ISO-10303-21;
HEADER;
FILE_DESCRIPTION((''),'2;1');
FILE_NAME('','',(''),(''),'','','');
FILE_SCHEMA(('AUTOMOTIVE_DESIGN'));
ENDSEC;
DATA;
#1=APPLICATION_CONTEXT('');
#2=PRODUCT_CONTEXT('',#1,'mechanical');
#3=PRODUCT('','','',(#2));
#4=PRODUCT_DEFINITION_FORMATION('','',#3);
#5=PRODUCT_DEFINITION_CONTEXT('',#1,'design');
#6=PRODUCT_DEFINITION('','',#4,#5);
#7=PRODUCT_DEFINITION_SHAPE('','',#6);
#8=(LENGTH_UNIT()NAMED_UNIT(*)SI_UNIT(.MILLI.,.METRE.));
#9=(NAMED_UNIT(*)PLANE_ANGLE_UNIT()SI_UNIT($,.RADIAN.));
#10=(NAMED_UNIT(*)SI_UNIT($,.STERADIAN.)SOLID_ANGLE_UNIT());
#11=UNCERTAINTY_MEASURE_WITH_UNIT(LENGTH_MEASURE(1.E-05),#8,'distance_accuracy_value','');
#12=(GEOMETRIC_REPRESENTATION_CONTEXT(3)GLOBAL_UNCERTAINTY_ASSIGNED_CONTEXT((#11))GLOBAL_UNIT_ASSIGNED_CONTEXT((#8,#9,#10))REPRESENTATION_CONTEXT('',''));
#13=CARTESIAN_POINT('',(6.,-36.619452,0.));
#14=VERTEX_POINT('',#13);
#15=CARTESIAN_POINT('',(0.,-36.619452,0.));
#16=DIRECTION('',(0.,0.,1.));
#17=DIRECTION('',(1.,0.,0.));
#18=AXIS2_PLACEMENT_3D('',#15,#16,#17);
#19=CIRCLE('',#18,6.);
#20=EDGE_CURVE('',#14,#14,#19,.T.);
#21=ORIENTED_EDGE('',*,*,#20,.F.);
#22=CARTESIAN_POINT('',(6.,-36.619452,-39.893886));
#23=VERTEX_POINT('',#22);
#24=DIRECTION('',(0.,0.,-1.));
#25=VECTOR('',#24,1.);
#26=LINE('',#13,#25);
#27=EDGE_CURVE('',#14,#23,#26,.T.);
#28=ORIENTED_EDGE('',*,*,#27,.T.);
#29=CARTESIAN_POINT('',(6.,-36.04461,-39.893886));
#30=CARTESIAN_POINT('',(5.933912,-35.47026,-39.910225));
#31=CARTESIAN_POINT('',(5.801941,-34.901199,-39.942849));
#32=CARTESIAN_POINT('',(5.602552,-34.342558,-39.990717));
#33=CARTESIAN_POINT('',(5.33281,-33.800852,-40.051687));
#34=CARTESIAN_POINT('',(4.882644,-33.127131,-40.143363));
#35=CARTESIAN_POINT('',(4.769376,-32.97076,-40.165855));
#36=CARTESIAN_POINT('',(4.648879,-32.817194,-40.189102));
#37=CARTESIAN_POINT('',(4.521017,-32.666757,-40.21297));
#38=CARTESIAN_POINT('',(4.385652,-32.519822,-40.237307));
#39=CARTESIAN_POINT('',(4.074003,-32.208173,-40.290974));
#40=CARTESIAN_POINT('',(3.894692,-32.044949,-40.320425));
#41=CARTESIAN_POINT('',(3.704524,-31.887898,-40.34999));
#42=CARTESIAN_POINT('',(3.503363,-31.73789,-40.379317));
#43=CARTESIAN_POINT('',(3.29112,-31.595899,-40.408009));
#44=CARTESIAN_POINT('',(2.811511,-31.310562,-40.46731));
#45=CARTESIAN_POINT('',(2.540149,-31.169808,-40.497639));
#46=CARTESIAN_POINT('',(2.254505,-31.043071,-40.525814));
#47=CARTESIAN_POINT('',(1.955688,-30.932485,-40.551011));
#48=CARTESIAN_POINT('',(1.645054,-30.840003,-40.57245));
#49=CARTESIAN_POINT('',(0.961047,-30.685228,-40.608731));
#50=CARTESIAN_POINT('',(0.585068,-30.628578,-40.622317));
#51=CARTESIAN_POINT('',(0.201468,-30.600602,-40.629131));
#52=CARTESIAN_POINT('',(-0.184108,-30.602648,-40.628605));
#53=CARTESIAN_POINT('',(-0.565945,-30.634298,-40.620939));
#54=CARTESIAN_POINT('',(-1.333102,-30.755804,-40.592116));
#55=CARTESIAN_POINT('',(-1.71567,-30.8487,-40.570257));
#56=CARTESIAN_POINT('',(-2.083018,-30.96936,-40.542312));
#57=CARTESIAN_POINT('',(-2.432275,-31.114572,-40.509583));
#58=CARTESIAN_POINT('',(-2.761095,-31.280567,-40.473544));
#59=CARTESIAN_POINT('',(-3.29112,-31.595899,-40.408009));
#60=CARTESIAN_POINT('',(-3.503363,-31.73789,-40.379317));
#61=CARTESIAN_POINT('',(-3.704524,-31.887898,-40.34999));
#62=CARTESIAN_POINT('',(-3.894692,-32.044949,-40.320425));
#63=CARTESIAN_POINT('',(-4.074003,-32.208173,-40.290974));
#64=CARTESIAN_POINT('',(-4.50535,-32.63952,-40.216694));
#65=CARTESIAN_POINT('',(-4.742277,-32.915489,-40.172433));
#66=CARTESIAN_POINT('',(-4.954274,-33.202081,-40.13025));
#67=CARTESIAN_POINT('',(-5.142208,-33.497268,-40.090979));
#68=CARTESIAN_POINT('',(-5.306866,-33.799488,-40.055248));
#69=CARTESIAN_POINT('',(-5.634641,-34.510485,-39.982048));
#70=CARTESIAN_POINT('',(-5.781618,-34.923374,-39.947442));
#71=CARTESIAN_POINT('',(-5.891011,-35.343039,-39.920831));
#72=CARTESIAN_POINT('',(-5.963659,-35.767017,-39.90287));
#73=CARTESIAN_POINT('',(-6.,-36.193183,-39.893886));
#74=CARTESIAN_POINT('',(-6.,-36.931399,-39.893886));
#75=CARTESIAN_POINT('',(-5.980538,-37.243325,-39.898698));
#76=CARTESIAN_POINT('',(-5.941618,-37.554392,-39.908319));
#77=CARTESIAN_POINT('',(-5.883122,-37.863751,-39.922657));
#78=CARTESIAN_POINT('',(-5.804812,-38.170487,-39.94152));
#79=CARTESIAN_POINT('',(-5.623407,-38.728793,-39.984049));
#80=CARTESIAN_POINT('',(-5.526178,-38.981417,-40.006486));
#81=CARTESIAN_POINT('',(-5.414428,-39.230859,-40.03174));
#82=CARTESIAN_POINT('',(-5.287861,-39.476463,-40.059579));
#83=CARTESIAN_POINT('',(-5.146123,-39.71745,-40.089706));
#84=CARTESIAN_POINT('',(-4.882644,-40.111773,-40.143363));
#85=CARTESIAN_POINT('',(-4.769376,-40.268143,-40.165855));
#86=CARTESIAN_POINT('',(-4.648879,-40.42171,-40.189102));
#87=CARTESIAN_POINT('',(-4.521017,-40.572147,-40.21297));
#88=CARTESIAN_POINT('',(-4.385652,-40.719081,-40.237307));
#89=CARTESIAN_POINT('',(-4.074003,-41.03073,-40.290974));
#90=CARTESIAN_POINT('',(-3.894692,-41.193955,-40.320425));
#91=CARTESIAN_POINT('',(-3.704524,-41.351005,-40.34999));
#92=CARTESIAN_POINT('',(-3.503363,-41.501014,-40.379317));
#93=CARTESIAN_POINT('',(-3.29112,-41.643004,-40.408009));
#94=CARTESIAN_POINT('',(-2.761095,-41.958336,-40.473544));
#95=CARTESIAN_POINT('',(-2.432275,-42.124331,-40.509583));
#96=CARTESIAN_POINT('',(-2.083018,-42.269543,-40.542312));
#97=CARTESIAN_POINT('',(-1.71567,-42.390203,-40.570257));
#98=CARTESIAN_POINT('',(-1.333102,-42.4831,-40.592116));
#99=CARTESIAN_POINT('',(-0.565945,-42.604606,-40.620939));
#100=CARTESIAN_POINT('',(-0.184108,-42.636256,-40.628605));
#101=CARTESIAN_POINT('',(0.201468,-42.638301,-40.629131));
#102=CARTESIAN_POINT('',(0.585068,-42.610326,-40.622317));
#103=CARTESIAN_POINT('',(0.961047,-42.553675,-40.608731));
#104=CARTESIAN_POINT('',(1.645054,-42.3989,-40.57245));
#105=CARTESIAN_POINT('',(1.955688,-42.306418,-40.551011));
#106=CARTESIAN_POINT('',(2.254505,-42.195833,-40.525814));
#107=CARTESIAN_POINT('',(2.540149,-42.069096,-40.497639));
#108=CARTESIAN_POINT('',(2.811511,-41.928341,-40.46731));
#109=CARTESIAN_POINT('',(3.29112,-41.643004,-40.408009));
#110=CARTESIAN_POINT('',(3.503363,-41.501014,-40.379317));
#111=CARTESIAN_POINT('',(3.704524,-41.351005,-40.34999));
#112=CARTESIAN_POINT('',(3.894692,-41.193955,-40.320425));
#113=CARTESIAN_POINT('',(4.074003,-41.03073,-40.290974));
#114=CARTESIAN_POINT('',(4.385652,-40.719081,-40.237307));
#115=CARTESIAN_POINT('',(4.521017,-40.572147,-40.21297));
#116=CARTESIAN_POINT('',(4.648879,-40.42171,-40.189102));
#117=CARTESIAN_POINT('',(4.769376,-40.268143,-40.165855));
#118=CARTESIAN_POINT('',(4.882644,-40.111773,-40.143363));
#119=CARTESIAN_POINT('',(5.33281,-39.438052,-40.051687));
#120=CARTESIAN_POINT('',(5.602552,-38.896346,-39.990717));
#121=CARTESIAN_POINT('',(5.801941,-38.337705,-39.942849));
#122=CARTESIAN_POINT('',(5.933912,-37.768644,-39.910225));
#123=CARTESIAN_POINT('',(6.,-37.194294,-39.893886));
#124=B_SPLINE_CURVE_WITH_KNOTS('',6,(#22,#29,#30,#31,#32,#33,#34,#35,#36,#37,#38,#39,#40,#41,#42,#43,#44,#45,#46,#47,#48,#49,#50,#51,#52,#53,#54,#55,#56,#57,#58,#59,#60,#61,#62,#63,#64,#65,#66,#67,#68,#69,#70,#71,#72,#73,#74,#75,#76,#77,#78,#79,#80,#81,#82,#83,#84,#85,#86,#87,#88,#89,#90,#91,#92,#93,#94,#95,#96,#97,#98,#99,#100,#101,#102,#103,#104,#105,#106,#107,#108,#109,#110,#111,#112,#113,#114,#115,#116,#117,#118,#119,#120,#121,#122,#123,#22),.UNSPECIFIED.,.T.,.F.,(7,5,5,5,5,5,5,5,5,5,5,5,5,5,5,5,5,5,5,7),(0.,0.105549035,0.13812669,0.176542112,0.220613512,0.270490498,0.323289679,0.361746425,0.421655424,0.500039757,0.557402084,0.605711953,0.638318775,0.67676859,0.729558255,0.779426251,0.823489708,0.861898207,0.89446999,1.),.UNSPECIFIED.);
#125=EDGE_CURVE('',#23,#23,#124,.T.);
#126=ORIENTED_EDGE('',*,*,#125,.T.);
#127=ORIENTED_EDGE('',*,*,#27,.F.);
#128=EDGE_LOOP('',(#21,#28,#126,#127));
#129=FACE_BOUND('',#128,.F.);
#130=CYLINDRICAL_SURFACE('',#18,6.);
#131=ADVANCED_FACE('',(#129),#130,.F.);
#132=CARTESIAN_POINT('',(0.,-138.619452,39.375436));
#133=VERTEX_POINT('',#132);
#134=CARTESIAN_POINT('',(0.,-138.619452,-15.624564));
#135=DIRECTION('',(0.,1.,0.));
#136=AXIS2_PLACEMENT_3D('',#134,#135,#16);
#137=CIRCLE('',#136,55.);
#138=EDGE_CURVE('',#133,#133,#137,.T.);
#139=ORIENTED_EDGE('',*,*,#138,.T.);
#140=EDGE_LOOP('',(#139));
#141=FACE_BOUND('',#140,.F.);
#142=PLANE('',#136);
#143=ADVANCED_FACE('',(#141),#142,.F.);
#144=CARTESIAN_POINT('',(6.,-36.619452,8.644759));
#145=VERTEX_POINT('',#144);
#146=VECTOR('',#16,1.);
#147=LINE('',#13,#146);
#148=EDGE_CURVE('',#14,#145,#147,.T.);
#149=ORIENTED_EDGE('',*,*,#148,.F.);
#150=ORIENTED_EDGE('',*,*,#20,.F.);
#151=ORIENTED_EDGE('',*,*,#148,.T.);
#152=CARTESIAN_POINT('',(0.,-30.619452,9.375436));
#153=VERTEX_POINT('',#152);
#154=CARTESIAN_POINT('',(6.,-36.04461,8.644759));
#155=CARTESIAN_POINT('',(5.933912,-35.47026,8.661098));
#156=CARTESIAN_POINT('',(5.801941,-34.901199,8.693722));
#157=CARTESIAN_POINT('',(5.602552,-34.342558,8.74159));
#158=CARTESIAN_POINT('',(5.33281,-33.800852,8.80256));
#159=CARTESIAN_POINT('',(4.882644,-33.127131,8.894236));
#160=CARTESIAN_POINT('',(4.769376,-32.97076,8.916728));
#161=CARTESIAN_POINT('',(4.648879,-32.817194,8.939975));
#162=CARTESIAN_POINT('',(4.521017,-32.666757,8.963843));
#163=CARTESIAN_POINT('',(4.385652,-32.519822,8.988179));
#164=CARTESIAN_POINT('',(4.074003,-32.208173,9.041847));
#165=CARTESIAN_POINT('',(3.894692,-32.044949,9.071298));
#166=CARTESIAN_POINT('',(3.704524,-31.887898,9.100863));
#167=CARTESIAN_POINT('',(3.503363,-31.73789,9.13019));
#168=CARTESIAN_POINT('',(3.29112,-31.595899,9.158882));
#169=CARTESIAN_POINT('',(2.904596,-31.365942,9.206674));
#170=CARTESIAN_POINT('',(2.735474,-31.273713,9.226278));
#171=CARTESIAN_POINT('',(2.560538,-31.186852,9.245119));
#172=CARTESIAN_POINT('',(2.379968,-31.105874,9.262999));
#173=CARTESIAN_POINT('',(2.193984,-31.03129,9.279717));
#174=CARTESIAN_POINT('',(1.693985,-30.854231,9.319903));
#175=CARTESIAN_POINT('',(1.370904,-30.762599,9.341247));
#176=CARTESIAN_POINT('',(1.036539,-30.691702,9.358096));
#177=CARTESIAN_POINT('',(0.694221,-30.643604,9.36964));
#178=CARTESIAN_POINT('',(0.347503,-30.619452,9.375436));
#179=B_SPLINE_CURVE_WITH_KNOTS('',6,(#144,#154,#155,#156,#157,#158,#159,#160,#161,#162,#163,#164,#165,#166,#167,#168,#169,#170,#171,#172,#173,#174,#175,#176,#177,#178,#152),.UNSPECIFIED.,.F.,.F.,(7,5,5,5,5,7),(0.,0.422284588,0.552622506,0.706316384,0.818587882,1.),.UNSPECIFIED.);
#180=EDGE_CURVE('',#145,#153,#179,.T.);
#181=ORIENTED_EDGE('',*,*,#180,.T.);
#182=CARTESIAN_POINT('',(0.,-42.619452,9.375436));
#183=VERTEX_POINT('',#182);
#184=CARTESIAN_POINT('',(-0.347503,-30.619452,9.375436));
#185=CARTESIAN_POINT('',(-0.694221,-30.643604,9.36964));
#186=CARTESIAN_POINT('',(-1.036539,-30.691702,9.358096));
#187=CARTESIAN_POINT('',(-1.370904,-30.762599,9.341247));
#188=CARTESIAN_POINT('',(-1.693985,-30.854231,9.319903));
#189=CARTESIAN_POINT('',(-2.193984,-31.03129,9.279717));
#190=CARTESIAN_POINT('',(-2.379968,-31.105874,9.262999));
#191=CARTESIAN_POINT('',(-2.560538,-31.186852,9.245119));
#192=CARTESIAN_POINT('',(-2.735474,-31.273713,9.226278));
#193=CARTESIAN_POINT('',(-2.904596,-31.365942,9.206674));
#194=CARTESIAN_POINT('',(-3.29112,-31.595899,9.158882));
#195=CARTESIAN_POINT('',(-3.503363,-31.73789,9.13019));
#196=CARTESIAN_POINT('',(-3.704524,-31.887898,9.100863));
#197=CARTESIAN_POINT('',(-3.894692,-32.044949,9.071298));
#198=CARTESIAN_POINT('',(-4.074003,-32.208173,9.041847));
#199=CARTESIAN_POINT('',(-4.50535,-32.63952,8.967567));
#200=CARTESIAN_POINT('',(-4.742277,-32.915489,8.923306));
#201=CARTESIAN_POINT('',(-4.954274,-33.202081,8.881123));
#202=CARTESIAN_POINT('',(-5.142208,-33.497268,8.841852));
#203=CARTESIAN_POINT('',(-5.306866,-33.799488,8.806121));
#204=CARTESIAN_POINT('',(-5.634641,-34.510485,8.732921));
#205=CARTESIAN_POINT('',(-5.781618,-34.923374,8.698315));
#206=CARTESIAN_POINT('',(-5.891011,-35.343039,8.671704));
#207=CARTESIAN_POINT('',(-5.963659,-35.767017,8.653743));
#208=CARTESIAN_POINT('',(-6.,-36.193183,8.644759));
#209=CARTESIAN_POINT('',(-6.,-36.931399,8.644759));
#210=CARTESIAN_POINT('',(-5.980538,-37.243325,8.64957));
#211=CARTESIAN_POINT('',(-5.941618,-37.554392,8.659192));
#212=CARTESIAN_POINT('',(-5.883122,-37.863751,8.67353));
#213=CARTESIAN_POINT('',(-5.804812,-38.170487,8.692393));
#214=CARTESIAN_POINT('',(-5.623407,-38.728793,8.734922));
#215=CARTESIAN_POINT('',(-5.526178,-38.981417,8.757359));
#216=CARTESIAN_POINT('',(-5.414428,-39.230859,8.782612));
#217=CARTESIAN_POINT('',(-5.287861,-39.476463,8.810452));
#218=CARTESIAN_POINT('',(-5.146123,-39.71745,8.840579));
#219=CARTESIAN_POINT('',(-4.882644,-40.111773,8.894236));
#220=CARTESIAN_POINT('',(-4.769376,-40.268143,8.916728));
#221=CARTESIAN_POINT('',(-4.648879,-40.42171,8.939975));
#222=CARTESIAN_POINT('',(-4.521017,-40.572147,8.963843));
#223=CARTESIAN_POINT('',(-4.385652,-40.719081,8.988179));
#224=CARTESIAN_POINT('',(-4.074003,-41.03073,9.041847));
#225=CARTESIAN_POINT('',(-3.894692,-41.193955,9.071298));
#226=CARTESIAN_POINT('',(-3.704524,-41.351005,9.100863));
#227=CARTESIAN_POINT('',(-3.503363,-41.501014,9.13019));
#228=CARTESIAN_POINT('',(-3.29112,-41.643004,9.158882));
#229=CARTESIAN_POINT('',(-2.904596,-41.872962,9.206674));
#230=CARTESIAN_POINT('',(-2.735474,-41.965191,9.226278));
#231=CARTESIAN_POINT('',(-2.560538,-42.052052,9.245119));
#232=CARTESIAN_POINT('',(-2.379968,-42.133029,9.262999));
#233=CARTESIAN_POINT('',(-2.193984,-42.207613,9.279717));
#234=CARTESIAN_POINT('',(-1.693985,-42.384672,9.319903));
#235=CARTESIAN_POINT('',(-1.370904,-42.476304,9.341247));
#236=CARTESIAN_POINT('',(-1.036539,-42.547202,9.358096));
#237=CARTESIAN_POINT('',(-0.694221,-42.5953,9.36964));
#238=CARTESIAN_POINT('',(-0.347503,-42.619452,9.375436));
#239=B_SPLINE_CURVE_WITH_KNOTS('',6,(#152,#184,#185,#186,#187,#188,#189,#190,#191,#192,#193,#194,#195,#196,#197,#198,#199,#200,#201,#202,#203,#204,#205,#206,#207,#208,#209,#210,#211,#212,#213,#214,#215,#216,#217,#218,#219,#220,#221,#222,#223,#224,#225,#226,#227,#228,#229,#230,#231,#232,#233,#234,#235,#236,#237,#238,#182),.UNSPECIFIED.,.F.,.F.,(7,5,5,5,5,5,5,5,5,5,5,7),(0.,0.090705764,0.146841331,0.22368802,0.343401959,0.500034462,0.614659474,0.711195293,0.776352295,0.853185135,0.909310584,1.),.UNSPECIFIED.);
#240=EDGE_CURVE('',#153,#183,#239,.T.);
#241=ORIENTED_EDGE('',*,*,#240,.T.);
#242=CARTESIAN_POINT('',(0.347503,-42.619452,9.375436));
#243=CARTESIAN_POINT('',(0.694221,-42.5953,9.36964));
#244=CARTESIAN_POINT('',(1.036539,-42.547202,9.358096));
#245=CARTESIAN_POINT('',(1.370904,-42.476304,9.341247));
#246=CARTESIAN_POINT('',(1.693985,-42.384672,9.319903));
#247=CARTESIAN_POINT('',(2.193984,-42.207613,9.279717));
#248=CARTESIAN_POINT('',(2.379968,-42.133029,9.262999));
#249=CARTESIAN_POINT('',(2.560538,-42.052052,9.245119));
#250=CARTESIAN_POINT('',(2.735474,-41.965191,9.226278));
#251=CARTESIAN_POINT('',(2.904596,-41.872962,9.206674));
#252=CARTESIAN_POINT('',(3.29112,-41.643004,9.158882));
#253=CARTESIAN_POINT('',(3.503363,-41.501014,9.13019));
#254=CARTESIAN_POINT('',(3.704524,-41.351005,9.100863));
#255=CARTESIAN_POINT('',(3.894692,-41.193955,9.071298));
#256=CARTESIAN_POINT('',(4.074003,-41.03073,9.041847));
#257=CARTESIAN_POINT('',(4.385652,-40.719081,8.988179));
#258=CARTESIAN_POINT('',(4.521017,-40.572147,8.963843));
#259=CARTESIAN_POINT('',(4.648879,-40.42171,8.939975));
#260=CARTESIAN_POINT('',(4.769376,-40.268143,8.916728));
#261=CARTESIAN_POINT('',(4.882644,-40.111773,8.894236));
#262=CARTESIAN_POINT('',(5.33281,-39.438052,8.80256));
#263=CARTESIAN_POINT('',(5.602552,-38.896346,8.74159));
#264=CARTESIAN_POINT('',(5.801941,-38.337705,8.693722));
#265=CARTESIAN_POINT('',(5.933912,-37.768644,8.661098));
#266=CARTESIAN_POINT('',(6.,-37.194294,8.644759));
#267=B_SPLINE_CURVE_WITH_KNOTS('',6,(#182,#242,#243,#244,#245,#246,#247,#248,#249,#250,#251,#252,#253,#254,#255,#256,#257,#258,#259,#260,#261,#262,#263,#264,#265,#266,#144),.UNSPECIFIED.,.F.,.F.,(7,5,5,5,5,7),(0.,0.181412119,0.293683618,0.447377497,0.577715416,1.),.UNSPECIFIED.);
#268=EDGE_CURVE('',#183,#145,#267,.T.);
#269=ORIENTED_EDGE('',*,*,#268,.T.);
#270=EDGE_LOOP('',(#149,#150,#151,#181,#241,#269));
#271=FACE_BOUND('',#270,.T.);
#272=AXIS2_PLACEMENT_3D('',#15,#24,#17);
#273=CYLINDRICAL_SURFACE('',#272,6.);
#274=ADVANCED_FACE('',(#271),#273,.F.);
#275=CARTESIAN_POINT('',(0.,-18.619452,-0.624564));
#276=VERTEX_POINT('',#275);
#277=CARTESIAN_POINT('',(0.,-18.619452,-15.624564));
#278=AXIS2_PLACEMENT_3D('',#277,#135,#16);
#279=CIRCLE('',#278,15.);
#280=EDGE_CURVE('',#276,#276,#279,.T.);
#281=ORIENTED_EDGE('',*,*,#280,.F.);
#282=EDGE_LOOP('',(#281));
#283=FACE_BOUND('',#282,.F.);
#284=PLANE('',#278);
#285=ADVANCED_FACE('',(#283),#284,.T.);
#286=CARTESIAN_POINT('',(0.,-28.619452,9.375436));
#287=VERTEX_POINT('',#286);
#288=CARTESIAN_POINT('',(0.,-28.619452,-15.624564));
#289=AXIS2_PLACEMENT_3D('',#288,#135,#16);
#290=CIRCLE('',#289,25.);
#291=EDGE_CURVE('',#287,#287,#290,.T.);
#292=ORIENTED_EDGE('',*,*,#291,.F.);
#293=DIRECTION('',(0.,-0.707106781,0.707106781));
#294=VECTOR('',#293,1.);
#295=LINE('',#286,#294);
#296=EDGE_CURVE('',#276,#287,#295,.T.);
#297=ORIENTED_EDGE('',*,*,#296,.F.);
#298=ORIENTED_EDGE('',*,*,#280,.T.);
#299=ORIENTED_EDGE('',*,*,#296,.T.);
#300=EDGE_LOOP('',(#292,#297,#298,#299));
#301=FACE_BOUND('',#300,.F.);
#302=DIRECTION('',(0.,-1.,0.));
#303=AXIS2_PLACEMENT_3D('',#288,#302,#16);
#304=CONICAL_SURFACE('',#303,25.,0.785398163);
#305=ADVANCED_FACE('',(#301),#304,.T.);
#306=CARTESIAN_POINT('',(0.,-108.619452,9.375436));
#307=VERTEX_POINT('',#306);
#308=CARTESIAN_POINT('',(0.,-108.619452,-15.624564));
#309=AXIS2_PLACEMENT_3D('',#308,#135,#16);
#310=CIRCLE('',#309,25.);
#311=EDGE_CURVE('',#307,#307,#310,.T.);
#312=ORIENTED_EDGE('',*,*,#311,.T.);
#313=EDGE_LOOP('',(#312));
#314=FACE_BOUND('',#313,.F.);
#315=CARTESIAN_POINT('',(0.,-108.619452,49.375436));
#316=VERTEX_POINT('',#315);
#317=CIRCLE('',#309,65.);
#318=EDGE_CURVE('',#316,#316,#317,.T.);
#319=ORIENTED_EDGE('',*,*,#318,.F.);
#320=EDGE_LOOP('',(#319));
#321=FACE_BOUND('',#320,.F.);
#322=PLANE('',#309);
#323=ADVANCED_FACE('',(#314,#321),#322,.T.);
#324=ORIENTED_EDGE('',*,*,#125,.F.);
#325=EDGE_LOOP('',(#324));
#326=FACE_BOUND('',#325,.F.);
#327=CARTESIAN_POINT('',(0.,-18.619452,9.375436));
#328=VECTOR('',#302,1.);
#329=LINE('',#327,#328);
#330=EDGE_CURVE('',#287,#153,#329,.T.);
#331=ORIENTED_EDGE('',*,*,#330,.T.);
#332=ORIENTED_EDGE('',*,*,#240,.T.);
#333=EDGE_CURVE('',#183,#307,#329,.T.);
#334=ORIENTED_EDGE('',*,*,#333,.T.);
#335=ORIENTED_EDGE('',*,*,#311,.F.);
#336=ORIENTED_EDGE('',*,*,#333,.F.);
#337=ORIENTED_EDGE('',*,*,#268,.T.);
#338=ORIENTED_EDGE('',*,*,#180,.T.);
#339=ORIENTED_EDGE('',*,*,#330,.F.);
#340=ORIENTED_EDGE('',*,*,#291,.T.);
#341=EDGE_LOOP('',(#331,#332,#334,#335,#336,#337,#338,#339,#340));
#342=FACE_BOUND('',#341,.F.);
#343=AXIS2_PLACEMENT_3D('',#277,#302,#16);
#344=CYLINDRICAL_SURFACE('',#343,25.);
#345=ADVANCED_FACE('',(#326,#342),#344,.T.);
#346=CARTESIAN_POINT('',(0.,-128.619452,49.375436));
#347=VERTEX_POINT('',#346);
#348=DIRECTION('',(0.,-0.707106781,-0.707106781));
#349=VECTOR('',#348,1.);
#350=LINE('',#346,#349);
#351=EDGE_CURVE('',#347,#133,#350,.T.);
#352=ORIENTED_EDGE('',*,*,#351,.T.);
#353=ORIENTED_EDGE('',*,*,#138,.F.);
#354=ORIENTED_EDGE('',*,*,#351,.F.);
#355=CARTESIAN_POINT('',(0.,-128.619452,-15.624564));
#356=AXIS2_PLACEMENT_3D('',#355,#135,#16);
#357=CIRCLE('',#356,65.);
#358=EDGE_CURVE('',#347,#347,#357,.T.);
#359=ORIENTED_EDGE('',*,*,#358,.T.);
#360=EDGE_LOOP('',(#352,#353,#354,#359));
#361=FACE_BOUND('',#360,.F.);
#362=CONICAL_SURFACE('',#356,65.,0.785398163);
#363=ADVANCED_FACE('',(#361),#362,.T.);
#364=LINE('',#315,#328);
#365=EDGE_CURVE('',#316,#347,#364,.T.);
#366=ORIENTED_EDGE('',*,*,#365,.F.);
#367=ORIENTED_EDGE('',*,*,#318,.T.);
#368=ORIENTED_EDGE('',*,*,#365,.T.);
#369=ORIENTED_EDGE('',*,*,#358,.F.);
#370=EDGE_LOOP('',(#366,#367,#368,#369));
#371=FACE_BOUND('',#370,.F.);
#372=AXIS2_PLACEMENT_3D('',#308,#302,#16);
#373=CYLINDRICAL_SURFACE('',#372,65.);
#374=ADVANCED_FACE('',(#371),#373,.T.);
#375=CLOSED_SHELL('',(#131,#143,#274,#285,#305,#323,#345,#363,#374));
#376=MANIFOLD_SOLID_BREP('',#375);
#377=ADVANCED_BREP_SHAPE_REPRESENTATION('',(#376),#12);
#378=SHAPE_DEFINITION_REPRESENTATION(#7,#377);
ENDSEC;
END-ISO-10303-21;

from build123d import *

# Parameters (mm, degrees)
F2_SIZE2      = 10
F2_SIZE       = 10
F3_SIZE2      = 10
F3_SIZE       = 10
F4_R          = 6
F5_DEPTH      = 80.6255635247
F5_DEPTH_BACK = 49.3764364753


with BuildPart() as f1:
    # F0 (on Right) → F1 (revolve)
    with BuildSketch(Plane.YZ):
        Polygon((-138.6194518108, 49.3754364753), (-138.6194518108, -15.6245635247), (-18.6194518108, -15.6245635247), (-18.6194518108, 9.3754364753), (-108.6194518108, 9.3754364753), (-108.6194518108, 49.3754364753), align=None)
    revolve(axis=Axis((0, -78.6194518108, -15.6245635247), (0, 1, 0)))

    # F2
    f2_edges = [f1.edges().sort_by_distance(p)[0] for p in [
        (0, -18.619452, -40.624564),
    ]]
    chamfer(f2_edges, length=F2_SIZE, length2=F2_SIZE2)

    # F3
    f3_edges = [f1.edges().sort_by_distance(p)[0] for p in [
        (0, -138.619452, -80.624564),
    ]]
    chamfer(f3_edges, length=F3_SIZE, length2=F3_SIZE2)

    # F4 (on Top) → F5 (cut, two sides)
    with BuildSketch(Plane.XY) as f5_sk:
        with Locations((0, -36.6194518108)):
            Circle(F4_R)
    extrude(amount=-F5_DEPTH, mode=Mode.SUBTRACT)
    extrude(f5_sk.sketch, amount=F5_DEPTH_BACK, mode=Mode.SUBTRACT)


solid = f1.part
